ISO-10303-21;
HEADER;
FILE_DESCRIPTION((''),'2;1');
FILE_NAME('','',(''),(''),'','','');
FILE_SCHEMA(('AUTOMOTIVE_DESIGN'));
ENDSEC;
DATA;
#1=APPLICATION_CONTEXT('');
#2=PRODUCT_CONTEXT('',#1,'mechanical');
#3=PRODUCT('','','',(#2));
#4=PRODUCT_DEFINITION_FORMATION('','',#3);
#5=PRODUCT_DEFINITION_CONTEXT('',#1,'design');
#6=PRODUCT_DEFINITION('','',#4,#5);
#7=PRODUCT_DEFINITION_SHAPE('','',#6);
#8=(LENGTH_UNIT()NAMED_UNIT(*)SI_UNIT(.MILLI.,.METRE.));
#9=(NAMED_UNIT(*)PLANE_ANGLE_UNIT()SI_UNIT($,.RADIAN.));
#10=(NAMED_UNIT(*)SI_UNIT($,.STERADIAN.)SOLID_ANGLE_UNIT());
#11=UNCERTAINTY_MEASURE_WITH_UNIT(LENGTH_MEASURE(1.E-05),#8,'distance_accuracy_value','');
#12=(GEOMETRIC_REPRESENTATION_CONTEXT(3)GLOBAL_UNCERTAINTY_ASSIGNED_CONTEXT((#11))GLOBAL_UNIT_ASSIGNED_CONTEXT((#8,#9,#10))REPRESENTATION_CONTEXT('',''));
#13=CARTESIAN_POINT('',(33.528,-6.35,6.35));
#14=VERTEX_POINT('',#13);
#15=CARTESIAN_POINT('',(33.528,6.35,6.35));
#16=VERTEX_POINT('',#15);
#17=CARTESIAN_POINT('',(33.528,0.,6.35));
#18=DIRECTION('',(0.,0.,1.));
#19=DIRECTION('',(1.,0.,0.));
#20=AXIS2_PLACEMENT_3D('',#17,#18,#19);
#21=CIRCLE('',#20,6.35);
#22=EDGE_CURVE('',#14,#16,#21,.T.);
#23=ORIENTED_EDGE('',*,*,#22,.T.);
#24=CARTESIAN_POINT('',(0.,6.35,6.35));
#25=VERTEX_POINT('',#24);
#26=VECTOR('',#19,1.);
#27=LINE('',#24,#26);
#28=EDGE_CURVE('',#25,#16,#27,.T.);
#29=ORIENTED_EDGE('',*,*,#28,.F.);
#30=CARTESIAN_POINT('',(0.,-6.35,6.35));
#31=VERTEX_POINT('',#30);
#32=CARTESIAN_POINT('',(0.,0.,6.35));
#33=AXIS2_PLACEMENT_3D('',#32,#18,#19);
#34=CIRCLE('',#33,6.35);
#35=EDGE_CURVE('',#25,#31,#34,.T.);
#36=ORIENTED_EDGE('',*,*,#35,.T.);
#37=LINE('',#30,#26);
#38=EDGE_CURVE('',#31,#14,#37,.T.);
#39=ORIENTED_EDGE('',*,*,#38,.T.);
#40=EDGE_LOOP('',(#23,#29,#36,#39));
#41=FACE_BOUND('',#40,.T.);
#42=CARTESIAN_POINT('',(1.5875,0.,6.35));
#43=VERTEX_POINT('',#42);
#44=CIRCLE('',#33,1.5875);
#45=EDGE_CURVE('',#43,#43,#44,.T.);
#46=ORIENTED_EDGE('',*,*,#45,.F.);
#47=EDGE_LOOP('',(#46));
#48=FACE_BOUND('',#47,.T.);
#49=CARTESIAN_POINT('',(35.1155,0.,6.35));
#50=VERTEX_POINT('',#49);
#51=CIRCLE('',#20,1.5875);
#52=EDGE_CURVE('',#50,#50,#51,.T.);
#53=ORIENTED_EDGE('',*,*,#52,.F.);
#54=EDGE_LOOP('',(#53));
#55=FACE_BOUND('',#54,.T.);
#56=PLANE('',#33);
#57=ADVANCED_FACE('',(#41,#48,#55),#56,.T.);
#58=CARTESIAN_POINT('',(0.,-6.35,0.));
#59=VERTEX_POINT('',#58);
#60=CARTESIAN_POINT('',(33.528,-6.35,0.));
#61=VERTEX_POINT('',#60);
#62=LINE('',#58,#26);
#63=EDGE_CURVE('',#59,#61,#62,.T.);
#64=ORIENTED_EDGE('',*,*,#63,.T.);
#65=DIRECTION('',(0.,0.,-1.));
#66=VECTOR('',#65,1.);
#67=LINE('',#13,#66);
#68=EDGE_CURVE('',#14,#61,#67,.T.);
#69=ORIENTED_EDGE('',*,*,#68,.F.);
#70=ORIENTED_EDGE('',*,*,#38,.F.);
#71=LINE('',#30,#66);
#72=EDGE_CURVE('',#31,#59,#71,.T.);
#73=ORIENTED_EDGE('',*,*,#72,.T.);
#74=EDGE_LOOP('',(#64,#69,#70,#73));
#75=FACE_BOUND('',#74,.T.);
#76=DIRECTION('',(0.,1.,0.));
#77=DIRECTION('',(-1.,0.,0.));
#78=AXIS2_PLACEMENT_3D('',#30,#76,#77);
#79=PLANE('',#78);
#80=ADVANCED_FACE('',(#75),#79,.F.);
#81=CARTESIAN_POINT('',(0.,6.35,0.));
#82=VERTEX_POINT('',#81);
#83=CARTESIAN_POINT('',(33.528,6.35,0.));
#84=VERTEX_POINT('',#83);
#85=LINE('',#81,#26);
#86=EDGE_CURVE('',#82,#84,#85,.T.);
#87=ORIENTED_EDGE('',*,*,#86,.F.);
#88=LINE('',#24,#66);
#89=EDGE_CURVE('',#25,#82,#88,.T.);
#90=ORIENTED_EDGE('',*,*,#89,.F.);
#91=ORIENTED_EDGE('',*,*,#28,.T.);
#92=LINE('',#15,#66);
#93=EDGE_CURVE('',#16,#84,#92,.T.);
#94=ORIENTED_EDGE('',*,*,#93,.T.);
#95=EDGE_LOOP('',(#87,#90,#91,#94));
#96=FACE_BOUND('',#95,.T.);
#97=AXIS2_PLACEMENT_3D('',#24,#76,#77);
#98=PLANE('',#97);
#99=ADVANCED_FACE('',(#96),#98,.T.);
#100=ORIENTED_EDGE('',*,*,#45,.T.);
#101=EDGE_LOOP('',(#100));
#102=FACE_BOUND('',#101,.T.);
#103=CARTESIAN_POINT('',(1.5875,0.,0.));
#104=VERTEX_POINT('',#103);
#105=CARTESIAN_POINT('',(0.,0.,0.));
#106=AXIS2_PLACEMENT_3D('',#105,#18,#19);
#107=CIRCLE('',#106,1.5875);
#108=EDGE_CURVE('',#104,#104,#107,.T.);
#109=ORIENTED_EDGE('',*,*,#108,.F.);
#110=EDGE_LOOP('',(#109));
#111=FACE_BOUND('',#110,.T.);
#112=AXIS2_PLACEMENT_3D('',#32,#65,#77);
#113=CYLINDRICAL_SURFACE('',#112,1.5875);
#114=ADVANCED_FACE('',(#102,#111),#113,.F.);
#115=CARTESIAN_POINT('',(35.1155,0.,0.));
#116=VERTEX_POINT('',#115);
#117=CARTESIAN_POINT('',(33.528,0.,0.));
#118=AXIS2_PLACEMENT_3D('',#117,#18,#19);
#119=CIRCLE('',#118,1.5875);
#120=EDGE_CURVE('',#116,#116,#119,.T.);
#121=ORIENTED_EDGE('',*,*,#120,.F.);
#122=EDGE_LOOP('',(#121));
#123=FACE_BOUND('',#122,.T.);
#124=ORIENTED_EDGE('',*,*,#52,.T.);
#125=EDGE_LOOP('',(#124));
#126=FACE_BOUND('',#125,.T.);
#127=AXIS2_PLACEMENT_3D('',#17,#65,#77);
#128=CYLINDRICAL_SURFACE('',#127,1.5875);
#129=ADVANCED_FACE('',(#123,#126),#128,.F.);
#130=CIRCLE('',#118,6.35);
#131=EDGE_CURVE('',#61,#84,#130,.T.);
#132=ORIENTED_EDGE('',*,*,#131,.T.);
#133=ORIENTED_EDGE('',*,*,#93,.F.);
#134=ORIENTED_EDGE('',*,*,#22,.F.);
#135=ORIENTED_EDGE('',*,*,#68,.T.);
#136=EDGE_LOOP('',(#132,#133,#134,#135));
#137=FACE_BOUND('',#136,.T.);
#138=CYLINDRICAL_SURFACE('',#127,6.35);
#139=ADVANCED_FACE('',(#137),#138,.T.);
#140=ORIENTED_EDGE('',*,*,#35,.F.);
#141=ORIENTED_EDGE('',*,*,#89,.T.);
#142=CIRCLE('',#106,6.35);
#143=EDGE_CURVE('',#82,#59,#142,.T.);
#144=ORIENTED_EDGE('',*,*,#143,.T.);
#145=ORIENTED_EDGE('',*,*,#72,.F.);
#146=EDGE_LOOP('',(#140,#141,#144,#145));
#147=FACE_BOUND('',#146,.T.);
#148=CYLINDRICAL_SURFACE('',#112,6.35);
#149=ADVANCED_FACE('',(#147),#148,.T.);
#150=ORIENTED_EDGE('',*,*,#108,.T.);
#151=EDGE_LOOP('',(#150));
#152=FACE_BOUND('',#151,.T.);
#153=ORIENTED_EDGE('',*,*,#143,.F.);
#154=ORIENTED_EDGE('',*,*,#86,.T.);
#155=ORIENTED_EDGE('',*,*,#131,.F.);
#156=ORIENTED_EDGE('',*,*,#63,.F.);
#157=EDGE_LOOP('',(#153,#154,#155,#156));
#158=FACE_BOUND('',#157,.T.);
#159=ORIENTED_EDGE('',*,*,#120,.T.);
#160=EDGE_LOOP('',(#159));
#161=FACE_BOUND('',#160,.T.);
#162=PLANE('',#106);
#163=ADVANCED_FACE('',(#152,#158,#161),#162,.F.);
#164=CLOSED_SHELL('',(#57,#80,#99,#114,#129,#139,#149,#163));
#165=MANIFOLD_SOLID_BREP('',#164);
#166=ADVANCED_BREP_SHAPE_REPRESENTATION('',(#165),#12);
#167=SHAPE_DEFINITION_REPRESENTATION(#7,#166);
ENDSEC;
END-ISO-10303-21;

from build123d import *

# Parameters (mm, degrees)
SKETCH1_R           = 6.35
SKETCH1_R_2         = 1.5875
BOSS_EXTRUDE1_DEPTH = 6.35


with BuildPart() as part:
    # Sketch1 → Boss-Extrude1 (new body)
    # profile 1 of 3: a face of its own
    with BuildSketch(Plane.XY):
        with BuildLine():
            Line((33.528, 6.35), (0, 6.35))
            ThreePointArc((0, 6.35), (4.490128061, 4.490128061), (6.35, 0))
            ThreePointArc((6.35, 0), (4.490128061, -4.490128061), (0, -6.35))
            Line((0, -6.35), (33.528, -6.35))
            ThreePointArc((33.528, -6.35), (27.178, 0), (33.528, 6.35))
        make_face()
    # profile 2 of 3: a face of its own
    with BuildSketch(Plane.XY):
        Circle(SKETCH1_R)
        Circle(SKETCH1_R_2, mode=Mode.SUBTRACT)
    # profile 3 of 3: a face of its own
    with BuildSketch(Plane.XY):
        with Locations((33.528, 0)):
            Circle(SKETCH1_R)
        with Locations((33.528, 0)):
            Circle(SKETCH1_R_2, mode=Mode.SUBTRACT)
    extrude(amount=BOSS_EXTRUDE1_DEPTH)


solid = part.part
